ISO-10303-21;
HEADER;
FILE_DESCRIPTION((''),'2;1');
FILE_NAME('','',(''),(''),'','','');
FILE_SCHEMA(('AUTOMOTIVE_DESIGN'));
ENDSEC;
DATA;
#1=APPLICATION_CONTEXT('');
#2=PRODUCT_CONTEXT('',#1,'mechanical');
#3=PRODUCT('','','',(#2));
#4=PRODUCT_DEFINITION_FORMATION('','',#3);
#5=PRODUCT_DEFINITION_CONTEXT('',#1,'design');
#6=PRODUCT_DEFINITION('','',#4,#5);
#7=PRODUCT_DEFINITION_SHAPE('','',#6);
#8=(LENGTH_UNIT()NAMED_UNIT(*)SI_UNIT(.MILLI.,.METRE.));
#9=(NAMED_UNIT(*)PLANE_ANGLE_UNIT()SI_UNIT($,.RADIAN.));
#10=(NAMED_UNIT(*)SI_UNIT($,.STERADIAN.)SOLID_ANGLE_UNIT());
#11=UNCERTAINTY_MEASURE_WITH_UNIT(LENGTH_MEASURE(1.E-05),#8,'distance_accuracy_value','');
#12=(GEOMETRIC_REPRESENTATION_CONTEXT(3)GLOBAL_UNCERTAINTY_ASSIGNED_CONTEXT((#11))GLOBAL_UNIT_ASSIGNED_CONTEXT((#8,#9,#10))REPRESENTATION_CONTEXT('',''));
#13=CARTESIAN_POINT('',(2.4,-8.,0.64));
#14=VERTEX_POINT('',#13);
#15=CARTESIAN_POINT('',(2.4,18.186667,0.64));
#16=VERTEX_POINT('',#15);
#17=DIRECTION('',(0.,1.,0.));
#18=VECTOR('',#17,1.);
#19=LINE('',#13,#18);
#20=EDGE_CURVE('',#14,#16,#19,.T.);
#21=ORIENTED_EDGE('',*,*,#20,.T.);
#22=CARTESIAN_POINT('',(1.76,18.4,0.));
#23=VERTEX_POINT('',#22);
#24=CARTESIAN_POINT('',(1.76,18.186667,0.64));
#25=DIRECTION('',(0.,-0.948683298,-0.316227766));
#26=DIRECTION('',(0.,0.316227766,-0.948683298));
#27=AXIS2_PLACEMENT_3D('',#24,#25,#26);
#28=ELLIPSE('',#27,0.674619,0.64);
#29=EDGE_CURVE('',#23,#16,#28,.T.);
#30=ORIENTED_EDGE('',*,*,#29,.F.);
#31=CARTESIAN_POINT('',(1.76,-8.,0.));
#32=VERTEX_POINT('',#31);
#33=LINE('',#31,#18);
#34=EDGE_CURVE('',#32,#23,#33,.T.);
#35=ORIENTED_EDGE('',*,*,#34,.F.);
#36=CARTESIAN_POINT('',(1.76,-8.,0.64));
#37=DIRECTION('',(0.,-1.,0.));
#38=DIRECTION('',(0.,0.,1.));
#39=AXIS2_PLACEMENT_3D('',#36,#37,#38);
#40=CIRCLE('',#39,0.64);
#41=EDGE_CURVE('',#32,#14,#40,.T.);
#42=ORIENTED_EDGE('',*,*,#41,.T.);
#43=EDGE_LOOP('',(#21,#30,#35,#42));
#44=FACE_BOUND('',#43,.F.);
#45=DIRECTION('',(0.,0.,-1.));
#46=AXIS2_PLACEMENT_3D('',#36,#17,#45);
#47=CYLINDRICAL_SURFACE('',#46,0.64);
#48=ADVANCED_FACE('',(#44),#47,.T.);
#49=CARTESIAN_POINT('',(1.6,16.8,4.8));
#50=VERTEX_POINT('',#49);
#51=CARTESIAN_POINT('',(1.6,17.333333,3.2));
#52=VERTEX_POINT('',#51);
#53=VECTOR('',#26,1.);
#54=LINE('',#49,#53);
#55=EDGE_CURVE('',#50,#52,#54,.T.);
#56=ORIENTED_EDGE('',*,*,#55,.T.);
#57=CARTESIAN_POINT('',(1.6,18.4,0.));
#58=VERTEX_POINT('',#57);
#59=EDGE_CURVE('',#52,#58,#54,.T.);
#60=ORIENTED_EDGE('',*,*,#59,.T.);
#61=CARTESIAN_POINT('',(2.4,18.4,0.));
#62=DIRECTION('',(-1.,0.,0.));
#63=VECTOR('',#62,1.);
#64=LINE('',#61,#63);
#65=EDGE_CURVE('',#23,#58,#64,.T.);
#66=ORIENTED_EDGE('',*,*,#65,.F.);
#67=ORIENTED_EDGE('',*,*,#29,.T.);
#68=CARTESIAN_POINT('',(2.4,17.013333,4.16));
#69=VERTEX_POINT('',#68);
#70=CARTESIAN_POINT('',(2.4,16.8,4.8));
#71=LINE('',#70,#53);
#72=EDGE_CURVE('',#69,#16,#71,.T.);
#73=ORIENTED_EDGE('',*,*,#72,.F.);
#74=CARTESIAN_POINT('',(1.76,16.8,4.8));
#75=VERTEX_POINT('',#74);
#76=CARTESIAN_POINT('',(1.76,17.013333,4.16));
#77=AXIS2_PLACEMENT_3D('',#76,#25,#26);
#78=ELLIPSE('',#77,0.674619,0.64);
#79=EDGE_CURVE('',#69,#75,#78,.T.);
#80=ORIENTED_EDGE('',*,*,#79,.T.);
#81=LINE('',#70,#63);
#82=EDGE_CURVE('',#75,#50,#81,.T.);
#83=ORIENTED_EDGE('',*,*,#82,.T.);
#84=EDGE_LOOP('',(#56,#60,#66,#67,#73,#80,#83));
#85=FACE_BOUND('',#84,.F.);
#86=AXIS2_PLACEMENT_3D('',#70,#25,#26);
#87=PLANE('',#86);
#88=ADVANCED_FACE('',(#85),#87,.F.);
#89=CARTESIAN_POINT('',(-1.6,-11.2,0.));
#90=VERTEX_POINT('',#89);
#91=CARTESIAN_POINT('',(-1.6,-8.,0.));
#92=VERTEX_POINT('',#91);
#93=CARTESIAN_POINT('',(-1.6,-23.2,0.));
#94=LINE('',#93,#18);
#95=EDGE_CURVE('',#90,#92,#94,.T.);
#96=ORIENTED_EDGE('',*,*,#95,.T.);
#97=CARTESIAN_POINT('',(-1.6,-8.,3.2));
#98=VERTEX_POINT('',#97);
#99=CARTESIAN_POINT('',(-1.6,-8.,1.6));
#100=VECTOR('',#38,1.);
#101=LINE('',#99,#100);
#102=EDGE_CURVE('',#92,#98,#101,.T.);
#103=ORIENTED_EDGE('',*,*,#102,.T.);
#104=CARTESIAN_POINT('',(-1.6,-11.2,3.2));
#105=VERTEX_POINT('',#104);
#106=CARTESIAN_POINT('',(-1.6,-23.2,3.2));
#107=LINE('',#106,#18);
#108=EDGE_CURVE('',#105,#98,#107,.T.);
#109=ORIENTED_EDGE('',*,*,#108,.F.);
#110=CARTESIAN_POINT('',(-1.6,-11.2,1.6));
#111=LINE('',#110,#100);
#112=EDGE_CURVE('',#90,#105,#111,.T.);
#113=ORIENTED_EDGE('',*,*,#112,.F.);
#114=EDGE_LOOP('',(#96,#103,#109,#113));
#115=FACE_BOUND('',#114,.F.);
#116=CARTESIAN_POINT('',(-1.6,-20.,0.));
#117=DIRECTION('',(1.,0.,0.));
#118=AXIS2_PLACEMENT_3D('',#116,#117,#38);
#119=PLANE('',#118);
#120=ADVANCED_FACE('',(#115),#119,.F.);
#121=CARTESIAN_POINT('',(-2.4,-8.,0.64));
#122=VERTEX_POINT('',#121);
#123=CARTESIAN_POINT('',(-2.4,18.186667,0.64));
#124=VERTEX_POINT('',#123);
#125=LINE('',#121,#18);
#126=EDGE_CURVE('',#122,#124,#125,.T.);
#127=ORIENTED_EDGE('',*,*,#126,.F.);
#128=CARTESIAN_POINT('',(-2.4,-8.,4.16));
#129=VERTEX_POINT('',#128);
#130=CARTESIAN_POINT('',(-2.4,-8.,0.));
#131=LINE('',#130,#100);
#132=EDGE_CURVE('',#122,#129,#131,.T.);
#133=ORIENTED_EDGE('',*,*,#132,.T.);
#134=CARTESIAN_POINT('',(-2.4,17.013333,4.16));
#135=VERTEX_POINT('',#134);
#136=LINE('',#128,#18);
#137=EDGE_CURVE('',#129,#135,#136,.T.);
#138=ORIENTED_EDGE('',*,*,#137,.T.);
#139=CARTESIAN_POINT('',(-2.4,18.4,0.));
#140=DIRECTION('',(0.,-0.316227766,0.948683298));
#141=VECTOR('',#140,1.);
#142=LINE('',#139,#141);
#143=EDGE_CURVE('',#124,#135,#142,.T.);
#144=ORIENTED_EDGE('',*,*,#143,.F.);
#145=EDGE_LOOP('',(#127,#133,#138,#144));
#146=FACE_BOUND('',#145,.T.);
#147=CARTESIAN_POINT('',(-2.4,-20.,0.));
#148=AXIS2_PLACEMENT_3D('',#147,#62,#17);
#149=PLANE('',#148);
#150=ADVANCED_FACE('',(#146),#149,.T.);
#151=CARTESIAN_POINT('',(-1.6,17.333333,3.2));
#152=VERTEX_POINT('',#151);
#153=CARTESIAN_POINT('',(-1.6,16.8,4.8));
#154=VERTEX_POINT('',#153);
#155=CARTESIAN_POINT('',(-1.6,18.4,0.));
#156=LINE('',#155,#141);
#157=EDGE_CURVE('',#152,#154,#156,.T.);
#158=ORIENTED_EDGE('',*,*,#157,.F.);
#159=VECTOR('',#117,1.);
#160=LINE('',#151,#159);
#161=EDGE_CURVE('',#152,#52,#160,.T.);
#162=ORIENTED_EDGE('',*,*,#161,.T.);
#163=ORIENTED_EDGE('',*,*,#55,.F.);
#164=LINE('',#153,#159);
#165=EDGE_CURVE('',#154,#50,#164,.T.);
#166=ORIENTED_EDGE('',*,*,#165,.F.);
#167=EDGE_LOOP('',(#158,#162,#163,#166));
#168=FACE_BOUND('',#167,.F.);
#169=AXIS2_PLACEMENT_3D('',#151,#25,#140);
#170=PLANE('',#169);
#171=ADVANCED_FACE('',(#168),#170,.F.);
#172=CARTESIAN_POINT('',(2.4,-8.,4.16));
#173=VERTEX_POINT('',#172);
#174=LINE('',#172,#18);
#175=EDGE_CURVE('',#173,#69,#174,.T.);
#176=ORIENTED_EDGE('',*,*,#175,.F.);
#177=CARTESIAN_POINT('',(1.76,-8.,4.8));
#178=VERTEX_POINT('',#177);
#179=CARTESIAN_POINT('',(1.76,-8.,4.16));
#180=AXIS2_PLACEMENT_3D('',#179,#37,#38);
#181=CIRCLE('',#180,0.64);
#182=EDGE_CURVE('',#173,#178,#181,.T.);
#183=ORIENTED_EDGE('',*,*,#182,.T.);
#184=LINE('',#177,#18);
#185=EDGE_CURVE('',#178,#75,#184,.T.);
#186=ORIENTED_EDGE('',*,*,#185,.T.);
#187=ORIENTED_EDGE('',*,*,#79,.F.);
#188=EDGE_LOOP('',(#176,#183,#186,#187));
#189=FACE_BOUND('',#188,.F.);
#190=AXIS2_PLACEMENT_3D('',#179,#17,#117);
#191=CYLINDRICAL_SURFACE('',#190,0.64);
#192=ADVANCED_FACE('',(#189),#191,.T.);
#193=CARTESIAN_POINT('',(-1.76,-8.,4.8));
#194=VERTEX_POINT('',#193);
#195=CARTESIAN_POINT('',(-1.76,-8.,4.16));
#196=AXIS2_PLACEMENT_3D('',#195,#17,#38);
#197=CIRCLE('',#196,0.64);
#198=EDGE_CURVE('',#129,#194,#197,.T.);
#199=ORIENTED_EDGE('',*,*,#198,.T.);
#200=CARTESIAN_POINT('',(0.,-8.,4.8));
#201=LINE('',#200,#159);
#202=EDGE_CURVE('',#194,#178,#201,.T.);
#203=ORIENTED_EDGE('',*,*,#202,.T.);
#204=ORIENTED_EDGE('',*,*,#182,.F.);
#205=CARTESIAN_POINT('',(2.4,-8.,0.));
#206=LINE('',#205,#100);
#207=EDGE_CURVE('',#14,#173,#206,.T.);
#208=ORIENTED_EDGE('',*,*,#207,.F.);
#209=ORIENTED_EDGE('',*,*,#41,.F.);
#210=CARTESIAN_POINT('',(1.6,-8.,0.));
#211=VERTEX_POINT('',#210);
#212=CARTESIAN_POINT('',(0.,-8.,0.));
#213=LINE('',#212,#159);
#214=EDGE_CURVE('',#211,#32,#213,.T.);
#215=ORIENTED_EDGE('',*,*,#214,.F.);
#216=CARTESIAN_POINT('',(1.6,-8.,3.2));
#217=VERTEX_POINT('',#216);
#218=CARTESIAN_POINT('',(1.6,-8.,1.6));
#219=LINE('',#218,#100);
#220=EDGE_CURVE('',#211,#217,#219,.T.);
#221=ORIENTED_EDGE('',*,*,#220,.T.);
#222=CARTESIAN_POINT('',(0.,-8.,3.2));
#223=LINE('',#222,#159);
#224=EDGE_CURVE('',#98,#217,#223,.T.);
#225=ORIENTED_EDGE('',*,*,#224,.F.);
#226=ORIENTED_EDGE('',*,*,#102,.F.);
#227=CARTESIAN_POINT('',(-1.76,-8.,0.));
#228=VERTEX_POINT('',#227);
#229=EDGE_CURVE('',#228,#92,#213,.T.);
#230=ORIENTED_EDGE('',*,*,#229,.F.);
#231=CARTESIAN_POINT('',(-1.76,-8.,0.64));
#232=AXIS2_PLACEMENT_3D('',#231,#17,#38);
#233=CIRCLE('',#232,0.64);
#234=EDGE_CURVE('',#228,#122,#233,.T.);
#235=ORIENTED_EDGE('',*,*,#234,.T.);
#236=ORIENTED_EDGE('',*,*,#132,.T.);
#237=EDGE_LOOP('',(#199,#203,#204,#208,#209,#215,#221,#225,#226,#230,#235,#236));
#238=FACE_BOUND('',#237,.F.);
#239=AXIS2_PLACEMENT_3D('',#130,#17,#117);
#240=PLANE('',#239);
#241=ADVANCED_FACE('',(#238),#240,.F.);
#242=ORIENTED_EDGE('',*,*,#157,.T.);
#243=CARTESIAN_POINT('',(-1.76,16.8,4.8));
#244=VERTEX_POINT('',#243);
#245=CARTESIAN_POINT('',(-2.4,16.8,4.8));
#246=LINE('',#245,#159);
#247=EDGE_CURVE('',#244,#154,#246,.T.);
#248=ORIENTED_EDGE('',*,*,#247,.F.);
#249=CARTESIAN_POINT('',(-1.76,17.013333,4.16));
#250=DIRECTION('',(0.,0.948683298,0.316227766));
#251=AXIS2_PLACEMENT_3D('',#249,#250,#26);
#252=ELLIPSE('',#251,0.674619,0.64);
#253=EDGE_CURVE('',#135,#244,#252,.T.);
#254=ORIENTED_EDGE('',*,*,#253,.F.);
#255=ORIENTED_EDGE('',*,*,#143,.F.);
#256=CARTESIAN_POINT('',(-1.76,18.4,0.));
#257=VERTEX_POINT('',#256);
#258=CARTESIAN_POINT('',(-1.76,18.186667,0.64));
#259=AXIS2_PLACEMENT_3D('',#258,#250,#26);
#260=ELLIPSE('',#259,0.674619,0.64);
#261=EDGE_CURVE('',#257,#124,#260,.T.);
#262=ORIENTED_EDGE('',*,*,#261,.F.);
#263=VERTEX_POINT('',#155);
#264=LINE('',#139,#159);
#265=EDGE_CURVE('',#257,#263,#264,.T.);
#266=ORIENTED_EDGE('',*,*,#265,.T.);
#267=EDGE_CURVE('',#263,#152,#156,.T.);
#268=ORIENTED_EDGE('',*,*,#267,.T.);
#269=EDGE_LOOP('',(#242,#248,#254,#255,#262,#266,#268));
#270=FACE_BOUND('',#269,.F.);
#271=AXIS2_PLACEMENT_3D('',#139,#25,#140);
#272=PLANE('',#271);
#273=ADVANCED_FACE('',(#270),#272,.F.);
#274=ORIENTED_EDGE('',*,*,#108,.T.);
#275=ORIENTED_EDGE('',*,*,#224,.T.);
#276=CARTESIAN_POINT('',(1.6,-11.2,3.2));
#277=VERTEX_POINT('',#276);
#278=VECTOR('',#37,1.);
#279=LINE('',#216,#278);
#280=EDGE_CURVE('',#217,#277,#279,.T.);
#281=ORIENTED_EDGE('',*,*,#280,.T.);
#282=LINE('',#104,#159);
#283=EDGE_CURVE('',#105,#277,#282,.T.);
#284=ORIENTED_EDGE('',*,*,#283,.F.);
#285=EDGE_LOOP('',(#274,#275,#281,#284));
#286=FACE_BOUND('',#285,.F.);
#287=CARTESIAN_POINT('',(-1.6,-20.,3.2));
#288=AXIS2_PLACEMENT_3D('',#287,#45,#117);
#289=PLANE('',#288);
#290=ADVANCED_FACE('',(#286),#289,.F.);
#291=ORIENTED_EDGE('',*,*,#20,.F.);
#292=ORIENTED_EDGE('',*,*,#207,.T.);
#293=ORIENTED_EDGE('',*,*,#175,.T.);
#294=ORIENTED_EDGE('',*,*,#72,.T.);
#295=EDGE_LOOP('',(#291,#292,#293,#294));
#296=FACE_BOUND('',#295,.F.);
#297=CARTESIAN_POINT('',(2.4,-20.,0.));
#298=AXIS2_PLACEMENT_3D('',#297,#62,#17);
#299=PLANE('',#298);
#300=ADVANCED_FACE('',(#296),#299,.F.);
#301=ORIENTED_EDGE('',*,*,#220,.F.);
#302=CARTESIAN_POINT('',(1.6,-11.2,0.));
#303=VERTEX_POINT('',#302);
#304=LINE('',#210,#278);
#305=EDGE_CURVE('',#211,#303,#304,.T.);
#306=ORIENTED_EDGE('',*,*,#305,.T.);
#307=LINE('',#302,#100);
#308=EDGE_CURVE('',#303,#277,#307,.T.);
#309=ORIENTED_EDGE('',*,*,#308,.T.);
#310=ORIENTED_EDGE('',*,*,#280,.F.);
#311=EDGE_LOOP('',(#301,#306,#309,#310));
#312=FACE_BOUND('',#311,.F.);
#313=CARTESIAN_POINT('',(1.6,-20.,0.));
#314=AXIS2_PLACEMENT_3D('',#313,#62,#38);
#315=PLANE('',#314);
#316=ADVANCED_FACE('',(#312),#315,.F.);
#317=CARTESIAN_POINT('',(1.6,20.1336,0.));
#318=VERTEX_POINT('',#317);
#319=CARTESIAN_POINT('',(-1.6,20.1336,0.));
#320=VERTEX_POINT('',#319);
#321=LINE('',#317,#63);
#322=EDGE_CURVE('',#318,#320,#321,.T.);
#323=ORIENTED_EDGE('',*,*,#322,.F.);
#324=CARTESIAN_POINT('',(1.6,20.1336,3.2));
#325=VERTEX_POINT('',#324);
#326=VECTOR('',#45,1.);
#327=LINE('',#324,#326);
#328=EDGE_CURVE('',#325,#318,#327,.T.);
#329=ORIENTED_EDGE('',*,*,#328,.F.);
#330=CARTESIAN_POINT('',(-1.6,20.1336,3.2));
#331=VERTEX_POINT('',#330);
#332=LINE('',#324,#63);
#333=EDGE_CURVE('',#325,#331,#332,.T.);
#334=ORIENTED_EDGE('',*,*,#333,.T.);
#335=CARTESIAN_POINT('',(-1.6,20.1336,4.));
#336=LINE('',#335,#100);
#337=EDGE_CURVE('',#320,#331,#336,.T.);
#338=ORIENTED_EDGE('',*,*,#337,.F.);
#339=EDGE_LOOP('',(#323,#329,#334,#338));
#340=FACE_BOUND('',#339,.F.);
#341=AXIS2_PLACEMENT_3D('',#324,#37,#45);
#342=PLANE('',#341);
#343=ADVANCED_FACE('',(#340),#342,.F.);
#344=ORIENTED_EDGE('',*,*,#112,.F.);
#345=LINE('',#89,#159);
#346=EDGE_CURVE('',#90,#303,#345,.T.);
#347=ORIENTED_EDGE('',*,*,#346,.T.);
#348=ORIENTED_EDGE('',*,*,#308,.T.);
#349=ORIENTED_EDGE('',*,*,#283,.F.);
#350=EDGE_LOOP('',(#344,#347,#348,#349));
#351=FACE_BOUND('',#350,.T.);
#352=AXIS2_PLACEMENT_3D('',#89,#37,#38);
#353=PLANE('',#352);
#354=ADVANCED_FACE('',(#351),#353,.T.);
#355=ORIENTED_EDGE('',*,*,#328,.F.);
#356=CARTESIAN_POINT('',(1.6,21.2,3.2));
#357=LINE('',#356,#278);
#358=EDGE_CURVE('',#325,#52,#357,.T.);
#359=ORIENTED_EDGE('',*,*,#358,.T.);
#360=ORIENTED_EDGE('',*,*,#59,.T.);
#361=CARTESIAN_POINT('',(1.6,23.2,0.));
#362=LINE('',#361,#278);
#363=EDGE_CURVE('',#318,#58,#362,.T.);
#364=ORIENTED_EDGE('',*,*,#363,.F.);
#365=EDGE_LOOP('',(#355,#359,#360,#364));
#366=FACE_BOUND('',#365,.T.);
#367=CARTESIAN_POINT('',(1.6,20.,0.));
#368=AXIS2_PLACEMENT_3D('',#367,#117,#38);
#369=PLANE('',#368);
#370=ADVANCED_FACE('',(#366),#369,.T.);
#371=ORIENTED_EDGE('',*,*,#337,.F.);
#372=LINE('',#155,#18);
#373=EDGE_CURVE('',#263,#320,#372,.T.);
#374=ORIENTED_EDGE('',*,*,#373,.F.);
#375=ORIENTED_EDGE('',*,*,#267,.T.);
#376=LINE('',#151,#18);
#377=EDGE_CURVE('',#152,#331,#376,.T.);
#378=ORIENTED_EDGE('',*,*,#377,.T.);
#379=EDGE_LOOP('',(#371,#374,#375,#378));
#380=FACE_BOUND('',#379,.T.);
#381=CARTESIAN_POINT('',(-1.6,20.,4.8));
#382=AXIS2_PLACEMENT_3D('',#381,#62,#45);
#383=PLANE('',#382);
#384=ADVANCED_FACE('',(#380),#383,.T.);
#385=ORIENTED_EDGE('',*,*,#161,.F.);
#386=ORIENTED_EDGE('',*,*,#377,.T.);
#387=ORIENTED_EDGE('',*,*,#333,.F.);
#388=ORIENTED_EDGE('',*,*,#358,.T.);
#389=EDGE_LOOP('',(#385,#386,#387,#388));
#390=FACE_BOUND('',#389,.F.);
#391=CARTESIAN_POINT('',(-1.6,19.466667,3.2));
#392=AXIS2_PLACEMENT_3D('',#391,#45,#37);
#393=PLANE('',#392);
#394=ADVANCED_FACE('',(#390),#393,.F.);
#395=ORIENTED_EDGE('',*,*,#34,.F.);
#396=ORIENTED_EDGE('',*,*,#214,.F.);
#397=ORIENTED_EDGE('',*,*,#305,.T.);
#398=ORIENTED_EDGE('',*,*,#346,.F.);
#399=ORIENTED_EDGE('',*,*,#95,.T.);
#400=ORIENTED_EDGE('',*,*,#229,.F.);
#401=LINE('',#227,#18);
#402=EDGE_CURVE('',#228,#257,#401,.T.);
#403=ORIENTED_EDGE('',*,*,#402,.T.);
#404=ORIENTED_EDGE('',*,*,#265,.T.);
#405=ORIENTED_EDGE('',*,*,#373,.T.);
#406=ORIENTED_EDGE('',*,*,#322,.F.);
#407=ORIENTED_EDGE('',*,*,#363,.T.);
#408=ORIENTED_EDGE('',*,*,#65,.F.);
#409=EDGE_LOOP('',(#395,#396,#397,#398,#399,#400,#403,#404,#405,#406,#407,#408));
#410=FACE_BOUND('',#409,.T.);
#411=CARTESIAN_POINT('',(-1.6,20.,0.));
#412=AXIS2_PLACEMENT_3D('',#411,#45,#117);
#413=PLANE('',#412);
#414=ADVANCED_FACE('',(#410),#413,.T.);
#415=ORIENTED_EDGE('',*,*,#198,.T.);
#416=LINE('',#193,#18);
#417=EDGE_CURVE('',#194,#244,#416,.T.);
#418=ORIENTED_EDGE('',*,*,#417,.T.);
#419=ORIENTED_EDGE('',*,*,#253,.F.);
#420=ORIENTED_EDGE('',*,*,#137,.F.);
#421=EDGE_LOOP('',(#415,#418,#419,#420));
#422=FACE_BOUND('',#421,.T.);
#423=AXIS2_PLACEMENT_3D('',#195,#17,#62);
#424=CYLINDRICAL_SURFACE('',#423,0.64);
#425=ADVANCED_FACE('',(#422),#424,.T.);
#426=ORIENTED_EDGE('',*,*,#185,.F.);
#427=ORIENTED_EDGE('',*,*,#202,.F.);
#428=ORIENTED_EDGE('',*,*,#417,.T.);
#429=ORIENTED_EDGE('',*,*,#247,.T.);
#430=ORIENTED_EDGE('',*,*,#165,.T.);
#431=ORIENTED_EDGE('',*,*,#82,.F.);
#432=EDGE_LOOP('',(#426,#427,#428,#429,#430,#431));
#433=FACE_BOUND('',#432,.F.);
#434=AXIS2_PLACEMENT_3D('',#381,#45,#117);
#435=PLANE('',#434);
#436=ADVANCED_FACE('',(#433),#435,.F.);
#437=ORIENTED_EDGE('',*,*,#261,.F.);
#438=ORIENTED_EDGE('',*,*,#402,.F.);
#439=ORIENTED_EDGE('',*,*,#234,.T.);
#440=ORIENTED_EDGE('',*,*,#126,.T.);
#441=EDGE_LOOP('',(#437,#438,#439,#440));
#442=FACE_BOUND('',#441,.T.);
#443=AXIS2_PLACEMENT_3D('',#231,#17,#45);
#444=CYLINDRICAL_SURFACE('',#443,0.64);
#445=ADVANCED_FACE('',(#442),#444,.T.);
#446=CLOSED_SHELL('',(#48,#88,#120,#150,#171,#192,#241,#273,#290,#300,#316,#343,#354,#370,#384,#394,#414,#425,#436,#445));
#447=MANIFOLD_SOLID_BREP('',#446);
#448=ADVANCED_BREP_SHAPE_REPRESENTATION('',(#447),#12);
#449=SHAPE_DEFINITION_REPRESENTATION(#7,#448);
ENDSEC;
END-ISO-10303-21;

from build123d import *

# Parameters (mm, degrees)
F0_W      = 6
F0_H      = 50
F1_DEPTH  = 6
F2_W      = 4
F2_H      = 4
F3_DEPTH  = 5
F5_DEPTH  = 1
F7_DEPTH  = 1
F8_DEPTH  = 4
F10_DEPTH = 25
F11_W     = 1
F11_H     = 4
F12_DEPTH = 25
F13_DEPTH = 15
F14_DEPTH = 15
F16_DEPTH = 1
F18_DEPTH = 1
F20_DEPTH = 4
F21_DEPTH = 1.333
F22_R     = 0.8
F23_SCALE = 0.8


with BuildPart() as f1:
    # F0 (on Top) → F1 (new body)
    with BuildSketch(Plane.XY):
        Rectangle(F0_W, F0_H)
    extrude(amount=F1_DEPTH)

    # F2 (on face) → F3 (join)
    with BuildSketch(Plane.XZ.offset(25)):
        with Locations((0, 2)):
            Rectangle(F2_W, F2_H)
    extrude(amount=F3_DEPTH)

    # F4 (on face) → F5 (cut)
    with BuildSketch(Plane(origin=(-3, 0, 0), x_dir=(0, -1, 0), z_dir=(-1, 0, 0))):
        Polygon((-25, 6), (-25, 0), (-23, 0), align=None)
    extrude(amount=-F5_DEPTH, mode=Mode.SUBTRACT)

    # F6 (on face) → F7 (cut)
    with BuildSketch(Plane.YZ.offset(3)):
        Polygon((23, 0), (25, 0), (25, 6), align=None)
    extrude(amount=-F7_DEPTH, mode=Mode.SUBTRACT)

    # F8 (add): a face of the model
    f8_faces = [f1.faces().sort_by_distance(p)[0] for p in [
        (0, 25, 3),
    ]]
    extrude(f8_faces, amount=F8_DEPTH)

    # F9 (on face) → F10 (cut)
    with BuildSketch(Plane.YZ.offset(2)):
        Polygon((26.5, 4), (26.5, 0), (29, 0), (29, 6), (25, 6), (24.3333333333, 4), align=None)
    extrude(amount=-F10_DEPTH, mode=Mode.SUBTRACT)

    # F11 (on face) → F12 (cut)
    with BuildSketch(Plane(origin=(-2, 0, 0), x_dir=(0, -1, 0), z_dir=(-1, 0, 0))):
        with Locations((29.5, 2)):
            Rectangle(F11_W, F11_H)
    extrude(amount=-F12_DEPTH, mode=Mode.SUBTRACT)

    # F13 (cut): a face of the model
    f13_faces = [f1.faces().sort_by_distance(p)[0] for p in [
        (-2.5, -25, 0.0848528137),
    ]]
    extrude(f13_faces, amount=-F13_DEPTH, mode=Mode.SUBTRACT)

    # F14 (cut): a face of the model
    f14_faces = [f1.faces().sort_by_distance(p)[0] for p in [
        (0, -29, 2),
    ]]
    extrude(f14_faces, amount=-F14_DEPTH, mode=Mode.SUBTRACT)

    # F15 (on face) → F16 (cut)
    with BuildSketch(Plane.YZ.offset(3)):
        Polygon((23, 0), (25, 6), (21, 6), align=None)
    extrude(amount=-F16_DEPTH, mode=Mode.SUBTRACT)

    # F17 (on face) → F18 (cut)
    with BuildSketch(Plane(origin=(-3, 0, 0), x_dir=(0, -1, 0), z_dir=(-1, 0, 0))):
        Polygon((-21, 6), (-25, 6), (-23, 0), align=None)
    extrude(amount=-F18_DEPTH, mode=Mode.SUBTRACT)

    # F19 (on face) → F20 (cut)
    with BuildSketch(Plane(origin=(-2, 0, 0), x_dir=(0, -1, 0), z_dir=(-1, 0, 0))):
        Polygon((-25, 6), (-24.3333333333, 4), (-21.6666666667, 4), (-21, 6), align=None)
    extrude(amount=-F20_DEPTH, mode=Mode.SUBTRACT)

    # F21 (cut): a face of the model
    f21_faces = [f1.faces().sort_by_distance(p)[0] for p in [
        (0, 26.5, 2),
    ]]
    extrude(f21_faces, amount=-F21_DEPTH, mode=Mode.SUBTRACT)

    # F22
    f22_edges = [f1.edges().sort_by_distance(p)[0] for p in [
        (3, 5.5, 6),
        (3, 6.5, 0),
        (-3, 5.5, 6),
        (-3, 6.5, 0),
    ]]
    fillet(f22_edges, radius=F22_R)


with BuildPart() as f1_1:
    # F23: moved
    add(f1.part.scale(F23_SCALE))


solid = f1_1.part
